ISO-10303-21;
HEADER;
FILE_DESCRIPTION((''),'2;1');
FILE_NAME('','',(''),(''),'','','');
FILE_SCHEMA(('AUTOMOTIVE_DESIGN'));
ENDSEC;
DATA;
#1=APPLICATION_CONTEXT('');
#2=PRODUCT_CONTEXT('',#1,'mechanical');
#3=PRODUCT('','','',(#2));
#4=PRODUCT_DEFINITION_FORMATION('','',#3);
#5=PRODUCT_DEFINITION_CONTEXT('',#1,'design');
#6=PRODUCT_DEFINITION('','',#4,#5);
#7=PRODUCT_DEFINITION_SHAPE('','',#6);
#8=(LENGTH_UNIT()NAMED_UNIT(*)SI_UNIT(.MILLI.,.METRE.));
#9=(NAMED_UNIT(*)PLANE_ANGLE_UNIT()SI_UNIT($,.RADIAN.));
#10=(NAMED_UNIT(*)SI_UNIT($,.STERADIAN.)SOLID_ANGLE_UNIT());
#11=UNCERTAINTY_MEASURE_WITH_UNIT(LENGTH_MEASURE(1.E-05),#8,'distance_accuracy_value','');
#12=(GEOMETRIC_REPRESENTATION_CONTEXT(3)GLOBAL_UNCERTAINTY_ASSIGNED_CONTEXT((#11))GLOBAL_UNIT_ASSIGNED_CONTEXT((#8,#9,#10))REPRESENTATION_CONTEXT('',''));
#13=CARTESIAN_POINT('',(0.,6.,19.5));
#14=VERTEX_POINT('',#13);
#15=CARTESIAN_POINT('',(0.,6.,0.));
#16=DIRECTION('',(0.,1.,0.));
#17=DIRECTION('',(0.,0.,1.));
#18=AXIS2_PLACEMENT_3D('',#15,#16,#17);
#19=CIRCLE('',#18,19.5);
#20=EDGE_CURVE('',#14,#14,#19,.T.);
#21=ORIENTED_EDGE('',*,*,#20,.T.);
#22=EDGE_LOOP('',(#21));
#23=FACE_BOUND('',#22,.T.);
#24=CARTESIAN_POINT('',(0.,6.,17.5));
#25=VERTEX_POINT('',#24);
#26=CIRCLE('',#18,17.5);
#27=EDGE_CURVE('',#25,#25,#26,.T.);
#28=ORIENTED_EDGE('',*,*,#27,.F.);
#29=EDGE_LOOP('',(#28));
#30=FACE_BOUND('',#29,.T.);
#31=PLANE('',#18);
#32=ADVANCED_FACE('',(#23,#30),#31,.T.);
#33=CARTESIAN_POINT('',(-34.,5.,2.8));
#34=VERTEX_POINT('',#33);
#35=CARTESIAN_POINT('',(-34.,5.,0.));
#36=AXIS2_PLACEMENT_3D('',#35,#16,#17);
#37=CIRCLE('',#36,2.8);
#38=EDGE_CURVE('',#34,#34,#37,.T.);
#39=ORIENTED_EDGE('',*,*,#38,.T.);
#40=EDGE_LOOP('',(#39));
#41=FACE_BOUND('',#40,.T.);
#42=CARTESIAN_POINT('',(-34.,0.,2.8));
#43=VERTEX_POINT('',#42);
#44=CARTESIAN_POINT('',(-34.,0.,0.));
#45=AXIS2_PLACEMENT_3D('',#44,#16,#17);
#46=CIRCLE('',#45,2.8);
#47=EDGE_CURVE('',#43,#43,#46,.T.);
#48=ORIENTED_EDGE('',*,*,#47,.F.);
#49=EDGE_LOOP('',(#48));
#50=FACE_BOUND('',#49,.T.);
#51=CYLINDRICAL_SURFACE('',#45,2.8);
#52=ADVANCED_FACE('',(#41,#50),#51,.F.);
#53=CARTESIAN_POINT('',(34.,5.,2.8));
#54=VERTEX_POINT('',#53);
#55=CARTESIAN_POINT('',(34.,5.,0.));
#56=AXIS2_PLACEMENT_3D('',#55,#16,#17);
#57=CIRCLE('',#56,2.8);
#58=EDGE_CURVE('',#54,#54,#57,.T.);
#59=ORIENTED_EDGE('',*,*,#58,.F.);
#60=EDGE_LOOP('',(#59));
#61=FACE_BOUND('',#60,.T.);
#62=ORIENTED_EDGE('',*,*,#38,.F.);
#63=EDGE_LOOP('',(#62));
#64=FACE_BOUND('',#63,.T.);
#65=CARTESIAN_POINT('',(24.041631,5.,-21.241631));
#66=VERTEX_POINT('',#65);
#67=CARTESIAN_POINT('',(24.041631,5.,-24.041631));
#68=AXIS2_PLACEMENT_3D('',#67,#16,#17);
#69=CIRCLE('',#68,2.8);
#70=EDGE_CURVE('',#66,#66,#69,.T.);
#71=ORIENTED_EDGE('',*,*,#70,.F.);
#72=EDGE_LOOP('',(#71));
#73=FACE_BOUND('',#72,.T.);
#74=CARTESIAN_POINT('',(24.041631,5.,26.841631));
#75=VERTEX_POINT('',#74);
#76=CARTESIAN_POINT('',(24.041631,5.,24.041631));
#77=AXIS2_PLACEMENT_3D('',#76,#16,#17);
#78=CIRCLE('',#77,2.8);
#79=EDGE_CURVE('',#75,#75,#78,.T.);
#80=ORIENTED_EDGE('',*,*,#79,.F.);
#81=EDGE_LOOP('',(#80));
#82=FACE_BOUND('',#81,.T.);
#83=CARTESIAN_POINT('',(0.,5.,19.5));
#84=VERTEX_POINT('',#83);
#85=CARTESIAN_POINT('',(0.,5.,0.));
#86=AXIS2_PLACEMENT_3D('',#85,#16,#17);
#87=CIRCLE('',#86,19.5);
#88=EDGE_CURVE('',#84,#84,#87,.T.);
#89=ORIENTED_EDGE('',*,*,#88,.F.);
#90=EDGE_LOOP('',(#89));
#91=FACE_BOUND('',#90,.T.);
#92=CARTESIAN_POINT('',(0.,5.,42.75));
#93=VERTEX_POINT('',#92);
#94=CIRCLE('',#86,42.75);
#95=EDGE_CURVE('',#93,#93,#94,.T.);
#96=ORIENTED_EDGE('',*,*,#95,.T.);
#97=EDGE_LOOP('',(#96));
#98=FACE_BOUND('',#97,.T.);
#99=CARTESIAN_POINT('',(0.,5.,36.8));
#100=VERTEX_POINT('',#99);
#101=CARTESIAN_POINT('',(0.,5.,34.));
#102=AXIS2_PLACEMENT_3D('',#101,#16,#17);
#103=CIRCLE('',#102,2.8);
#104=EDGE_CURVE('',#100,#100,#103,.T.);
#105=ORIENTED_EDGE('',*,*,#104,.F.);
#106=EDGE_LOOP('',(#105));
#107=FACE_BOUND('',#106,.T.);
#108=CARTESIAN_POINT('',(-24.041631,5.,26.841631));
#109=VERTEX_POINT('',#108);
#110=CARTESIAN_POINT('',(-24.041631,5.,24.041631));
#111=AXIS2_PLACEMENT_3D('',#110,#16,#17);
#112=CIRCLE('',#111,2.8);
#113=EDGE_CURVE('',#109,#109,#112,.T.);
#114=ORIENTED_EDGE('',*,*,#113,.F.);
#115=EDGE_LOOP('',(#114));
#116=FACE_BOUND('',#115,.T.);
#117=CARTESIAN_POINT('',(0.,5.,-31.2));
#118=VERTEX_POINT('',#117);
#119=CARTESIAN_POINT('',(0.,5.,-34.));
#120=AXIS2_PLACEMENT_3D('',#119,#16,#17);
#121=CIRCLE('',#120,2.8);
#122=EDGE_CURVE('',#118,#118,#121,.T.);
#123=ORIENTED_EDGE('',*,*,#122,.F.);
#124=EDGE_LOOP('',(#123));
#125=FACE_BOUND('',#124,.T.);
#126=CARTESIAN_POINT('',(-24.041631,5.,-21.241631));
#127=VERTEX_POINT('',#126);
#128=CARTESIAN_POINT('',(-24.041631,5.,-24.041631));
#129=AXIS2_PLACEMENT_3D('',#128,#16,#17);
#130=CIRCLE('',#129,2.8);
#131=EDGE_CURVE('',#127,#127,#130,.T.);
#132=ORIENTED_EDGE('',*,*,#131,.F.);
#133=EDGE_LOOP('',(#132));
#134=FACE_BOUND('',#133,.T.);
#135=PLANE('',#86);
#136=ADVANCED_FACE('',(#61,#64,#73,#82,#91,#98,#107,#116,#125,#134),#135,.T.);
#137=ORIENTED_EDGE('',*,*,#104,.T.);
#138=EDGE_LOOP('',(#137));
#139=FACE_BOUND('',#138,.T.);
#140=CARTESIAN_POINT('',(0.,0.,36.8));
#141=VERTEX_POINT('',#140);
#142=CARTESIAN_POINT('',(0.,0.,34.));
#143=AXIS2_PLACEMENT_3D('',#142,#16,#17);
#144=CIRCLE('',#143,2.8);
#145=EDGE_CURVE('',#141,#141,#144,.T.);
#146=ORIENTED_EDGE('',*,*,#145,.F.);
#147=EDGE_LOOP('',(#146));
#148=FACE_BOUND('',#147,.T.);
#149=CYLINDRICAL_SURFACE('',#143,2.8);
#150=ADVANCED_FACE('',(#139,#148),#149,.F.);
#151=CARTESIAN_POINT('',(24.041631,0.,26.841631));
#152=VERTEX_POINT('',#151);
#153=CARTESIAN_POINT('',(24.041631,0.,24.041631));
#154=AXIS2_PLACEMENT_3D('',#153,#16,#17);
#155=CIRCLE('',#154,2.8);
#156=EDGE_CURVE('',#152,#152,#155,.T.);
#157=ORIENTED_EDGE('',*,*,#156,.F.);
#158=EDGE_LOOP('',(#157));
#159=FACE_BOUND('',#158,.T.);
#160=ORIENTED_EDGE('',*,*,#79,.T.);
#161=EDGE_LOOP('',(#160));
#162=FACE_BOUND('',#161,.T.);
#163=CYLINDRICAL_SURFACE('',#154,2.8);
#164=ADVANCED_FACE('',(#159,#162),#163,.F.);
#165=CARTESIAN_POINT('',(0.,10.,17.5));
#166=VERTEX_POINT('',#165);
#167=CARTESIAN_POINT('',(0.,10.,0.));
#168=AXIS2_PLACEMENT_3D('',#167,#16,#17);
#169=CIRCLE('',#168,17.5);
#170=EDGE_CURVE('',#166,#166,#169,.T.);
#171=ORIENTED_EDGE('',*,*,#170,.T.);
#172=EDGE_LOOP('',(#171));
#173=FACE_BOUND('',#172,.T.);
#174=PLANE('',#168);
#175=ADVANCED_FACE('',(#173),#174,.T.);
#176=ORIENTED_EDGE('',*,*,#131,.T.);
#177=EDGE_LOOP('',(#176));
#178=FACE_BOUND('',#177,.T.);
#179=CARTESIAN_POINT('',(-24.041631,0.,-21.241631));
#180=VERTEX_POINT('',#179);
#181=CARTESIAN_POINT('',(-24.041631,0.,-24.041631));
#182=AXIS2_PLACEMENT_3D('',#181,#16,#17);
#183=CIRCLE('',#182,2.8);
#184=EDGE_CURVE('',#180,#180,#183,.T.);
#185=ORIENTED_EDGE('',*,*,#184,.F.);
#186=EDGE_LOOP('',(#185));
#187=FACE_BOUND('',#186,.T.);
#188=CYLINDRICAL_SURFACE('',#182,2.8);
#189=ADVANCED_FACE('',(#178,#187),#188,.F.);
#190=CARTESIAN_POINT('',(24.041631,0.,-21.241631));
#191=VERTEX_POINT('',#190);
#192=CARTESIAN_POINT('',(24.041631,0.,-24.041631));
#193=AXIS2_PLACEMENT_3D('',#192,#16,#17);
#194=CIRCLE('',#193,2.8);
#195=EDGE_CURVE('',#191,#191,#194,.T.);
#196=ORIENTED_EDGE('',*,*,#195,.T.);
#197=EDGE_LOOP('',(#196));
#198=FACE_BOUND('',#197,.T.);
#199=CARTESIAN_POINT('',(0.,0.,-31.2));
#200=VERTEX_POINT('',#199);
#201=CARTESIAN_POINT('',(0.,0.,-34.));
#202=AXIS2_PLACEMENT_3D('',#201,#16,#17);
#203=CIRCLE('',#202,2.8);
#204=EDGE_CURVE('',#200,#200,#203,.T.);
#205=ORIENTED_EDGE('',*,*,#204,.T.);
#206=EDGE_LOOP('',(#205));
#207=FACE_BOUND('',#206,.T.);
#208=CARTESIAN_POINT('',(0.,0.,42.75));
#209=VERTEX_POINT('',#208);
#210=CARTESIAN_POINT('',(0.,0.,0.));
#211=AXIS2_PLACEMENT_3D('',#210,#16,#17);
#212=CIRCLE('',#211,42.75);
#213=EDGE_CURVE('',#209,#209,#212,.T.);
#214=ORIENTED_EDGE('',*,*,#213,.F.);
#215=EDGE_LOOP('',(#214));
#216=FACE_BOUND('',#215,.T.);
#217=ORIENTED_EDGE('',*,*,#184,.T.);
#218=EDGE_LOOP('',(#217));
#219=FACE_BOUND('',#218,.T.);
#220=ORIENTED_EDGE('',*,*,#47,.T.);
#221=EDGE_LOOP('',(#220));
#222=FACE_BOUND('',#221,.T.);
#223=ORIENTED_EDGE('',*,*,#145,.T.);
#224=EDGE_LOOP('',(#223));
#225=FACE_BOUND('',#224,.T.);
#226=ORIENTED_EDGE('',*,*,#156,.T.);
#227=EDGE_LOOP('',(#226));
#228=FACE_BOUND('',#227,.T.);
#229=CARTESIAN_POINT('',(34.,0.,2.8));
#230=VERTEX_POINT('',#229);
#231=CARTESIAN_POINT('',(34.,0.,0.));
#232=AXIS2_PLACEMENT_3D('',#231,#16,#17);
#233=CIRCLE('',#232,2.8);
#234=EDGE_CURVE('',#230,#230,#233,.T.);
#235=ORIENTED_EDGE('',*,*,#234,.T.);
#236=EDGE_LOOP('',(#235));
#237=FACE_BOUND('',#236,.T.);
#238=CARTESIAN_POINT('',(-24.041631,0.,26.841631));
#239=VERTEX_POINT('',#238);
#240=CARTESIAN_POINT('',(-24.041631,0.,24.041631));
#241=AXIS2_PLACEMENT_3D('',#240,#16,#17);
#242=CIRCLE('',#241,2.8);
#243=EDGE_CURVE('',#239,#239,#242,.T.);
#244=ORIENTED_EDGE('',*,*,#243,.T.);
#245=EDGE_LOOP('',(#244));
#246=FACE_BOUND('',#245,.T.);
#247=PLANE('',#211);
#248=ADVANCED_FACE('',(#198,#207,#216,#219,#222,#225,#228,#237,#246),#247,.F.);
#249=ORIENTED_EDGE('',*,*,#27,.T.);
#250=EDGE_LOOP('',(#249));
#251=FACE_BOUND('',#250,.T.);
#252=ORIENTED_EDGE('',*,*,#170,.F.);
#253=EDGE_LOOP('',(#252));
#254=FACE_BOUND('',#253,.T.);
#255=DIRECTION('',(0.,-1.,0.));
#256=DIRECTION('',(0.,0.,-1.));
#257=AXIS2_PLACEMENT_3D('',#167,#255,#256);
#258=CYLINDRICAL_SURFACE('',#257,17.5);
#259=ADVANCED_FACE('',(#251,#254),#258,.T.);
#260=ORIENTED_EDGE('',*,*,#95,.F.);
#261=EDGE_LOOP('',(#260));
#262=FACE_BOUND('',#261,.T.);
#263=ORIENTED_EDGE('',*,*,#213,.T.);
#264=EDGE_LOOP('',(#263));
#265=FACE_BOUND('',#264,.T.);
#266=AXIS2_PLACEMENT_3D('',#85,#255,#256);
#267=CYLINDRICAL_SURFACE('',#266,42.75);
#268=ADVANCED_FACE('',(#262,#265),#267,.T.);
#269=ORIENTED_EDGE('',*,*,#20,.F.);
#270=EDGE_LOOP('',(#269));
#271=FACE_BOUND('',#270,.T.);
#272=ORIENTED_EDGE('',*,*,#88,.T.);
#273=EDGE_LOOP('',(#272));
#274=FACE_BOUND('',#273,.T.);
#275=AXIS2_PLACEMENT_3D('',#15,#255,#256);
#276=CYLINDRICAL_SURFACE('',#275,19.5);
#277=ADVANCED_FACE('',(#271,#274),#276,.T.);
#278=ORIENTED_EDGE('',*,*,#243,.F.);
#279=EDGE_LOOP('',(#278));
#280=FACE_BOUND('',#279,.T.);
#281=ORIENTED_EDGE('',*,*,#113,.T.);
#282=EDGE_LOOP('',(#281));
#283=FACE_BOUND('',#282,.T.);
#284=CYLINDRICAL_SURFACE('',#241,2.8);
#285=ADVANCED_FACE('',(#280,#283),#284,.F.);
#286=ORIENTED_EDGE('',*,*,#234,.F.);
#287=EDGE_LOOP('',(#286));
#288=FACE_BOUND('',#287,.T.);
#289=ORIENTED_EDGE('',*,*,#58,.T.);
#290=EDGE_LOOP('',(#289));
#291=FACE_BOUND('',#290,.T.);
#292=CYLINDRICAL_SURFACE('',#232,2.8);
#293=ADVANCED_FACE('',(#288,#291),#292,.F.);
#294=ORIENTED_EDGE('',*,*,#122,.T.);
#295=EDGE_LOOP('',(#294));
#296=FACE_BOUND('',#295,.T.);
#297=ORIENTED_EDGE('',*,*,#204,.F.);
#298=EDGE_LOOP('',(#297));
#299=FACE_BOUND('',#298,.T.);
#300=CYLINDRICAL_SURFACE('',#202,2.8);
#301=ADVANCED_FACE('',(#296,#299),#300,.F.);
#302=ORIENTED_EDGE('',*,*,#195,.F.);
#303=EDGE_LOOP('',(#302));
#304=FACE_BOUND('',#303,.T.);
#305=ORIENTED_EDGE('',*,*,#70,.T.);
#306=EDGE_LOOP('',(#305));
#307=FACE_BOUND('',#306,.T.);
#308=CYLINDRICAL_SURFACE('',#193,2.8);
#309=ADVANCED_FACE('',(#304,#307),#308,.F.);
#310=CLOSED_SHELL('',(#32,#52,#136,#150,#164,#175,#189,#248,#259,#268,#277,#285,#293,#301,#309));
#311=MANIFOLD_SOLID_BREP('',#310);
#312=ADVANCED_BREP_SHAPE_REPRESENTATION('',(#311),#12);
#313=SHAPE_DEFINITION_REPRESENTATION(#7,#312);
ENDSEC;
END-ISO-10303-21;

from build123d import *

# Parameters (mm, degrees)
SKETCH1_R           = 42.75
BOSS_EXTRUDE1_DEPTH = 5
SKETCH2_R           = 2.8
CUT_EXTRUDE1_DEPTH  = 61.664033826
SKETCH3_R           = 17.5
BOSS_EXTRUDE2_DEPTH = 5
SKETCH4_R           = 19.5
BOSS_EXTRUDE3_DEPTH = 1


with BuildPart() as part:
    # Sketch1 → Boss-Extrude1 (new body)
    with BuildSketch(Plane(origin=(0, 0, 0), x_dir=(1, 0, 0), z_dir=(0, 1, 0))):
        with Locations(Location((0, 0, 0), (0, 0, 270))):
            Circle(SKETCH1_R)
    extrude(amount=BOSS_EXTRUDE1_DEPTH)

    # Sketch2 → Cut-Extrude1 (cut, through all)
    with BuildSketch(Plane(origin=(0, 5, 0), x_dir=(1, 0, 0), z_dir=(0, 1, 0))):
        with Locations(Location((0, 34, 0), (0, 0, 270))):
            Circle(SKETCH2_R)
        with Locations(Location((24.04163056, 24.04163056, 0), (0, 0, 270))):
            Circle(SKETCH2_R)
        with Locations(Location((34, 0, 0), (0, 0, 270))):
            Circle(SKETCH2_R)
        with Locations(Location((24.04163056, -24.04163056, 0), (0, 0, 270))):
            Circle(SKETCH2_R)
        with Locations(Location((0, -34, 0), (0, 0, 270))):
            Circle(SKETCH2_R)
        with Locations(Location((-24.04163056, -24.04163056, 0), (0, 0, 270))):
            Circle(SKETCH2_R)
        with Locations(Location((-34, 0, 0), (0, 0, 270))):
            Circle(SKETCH2_R)
        with Locations(Location((-24.04163056, 24.04163056, 0), (0, 0, 270))):
            Circle(SKETCH2_R)
    extrude(amount=-CUT_EXTRUDE1_DEPTH, mode=Mode.SUBTRACT)

    # Sketch3 → Boss-Extrude2 (add)
    with BuildSketch(Plane(origin=(0, 5, 0), x_dir=(1, 0, 0), z_dir=(0, 1, 0))):
        with Locations(Location((0, 0, 0), (0, 0, 270))):
            Circle(SKETCH3_R)
    extrude(amount=BOSS_EXTRUDE2_DEPTH)

    # Sketch4 → Boss-Extrude3 (add)
    with BuildSketch(Plane(origin=(0, 5, 0), x_dir=(1, 0, 0), z_dir=(0, 1, 0))):
        with Locations(Location((0, 0, 0), (0, 0, 270))):
            Circle(SKETCH4_R)
    extrude(amount=BOSS_EXTRUDE3_DEPTH)


solid = part.part
